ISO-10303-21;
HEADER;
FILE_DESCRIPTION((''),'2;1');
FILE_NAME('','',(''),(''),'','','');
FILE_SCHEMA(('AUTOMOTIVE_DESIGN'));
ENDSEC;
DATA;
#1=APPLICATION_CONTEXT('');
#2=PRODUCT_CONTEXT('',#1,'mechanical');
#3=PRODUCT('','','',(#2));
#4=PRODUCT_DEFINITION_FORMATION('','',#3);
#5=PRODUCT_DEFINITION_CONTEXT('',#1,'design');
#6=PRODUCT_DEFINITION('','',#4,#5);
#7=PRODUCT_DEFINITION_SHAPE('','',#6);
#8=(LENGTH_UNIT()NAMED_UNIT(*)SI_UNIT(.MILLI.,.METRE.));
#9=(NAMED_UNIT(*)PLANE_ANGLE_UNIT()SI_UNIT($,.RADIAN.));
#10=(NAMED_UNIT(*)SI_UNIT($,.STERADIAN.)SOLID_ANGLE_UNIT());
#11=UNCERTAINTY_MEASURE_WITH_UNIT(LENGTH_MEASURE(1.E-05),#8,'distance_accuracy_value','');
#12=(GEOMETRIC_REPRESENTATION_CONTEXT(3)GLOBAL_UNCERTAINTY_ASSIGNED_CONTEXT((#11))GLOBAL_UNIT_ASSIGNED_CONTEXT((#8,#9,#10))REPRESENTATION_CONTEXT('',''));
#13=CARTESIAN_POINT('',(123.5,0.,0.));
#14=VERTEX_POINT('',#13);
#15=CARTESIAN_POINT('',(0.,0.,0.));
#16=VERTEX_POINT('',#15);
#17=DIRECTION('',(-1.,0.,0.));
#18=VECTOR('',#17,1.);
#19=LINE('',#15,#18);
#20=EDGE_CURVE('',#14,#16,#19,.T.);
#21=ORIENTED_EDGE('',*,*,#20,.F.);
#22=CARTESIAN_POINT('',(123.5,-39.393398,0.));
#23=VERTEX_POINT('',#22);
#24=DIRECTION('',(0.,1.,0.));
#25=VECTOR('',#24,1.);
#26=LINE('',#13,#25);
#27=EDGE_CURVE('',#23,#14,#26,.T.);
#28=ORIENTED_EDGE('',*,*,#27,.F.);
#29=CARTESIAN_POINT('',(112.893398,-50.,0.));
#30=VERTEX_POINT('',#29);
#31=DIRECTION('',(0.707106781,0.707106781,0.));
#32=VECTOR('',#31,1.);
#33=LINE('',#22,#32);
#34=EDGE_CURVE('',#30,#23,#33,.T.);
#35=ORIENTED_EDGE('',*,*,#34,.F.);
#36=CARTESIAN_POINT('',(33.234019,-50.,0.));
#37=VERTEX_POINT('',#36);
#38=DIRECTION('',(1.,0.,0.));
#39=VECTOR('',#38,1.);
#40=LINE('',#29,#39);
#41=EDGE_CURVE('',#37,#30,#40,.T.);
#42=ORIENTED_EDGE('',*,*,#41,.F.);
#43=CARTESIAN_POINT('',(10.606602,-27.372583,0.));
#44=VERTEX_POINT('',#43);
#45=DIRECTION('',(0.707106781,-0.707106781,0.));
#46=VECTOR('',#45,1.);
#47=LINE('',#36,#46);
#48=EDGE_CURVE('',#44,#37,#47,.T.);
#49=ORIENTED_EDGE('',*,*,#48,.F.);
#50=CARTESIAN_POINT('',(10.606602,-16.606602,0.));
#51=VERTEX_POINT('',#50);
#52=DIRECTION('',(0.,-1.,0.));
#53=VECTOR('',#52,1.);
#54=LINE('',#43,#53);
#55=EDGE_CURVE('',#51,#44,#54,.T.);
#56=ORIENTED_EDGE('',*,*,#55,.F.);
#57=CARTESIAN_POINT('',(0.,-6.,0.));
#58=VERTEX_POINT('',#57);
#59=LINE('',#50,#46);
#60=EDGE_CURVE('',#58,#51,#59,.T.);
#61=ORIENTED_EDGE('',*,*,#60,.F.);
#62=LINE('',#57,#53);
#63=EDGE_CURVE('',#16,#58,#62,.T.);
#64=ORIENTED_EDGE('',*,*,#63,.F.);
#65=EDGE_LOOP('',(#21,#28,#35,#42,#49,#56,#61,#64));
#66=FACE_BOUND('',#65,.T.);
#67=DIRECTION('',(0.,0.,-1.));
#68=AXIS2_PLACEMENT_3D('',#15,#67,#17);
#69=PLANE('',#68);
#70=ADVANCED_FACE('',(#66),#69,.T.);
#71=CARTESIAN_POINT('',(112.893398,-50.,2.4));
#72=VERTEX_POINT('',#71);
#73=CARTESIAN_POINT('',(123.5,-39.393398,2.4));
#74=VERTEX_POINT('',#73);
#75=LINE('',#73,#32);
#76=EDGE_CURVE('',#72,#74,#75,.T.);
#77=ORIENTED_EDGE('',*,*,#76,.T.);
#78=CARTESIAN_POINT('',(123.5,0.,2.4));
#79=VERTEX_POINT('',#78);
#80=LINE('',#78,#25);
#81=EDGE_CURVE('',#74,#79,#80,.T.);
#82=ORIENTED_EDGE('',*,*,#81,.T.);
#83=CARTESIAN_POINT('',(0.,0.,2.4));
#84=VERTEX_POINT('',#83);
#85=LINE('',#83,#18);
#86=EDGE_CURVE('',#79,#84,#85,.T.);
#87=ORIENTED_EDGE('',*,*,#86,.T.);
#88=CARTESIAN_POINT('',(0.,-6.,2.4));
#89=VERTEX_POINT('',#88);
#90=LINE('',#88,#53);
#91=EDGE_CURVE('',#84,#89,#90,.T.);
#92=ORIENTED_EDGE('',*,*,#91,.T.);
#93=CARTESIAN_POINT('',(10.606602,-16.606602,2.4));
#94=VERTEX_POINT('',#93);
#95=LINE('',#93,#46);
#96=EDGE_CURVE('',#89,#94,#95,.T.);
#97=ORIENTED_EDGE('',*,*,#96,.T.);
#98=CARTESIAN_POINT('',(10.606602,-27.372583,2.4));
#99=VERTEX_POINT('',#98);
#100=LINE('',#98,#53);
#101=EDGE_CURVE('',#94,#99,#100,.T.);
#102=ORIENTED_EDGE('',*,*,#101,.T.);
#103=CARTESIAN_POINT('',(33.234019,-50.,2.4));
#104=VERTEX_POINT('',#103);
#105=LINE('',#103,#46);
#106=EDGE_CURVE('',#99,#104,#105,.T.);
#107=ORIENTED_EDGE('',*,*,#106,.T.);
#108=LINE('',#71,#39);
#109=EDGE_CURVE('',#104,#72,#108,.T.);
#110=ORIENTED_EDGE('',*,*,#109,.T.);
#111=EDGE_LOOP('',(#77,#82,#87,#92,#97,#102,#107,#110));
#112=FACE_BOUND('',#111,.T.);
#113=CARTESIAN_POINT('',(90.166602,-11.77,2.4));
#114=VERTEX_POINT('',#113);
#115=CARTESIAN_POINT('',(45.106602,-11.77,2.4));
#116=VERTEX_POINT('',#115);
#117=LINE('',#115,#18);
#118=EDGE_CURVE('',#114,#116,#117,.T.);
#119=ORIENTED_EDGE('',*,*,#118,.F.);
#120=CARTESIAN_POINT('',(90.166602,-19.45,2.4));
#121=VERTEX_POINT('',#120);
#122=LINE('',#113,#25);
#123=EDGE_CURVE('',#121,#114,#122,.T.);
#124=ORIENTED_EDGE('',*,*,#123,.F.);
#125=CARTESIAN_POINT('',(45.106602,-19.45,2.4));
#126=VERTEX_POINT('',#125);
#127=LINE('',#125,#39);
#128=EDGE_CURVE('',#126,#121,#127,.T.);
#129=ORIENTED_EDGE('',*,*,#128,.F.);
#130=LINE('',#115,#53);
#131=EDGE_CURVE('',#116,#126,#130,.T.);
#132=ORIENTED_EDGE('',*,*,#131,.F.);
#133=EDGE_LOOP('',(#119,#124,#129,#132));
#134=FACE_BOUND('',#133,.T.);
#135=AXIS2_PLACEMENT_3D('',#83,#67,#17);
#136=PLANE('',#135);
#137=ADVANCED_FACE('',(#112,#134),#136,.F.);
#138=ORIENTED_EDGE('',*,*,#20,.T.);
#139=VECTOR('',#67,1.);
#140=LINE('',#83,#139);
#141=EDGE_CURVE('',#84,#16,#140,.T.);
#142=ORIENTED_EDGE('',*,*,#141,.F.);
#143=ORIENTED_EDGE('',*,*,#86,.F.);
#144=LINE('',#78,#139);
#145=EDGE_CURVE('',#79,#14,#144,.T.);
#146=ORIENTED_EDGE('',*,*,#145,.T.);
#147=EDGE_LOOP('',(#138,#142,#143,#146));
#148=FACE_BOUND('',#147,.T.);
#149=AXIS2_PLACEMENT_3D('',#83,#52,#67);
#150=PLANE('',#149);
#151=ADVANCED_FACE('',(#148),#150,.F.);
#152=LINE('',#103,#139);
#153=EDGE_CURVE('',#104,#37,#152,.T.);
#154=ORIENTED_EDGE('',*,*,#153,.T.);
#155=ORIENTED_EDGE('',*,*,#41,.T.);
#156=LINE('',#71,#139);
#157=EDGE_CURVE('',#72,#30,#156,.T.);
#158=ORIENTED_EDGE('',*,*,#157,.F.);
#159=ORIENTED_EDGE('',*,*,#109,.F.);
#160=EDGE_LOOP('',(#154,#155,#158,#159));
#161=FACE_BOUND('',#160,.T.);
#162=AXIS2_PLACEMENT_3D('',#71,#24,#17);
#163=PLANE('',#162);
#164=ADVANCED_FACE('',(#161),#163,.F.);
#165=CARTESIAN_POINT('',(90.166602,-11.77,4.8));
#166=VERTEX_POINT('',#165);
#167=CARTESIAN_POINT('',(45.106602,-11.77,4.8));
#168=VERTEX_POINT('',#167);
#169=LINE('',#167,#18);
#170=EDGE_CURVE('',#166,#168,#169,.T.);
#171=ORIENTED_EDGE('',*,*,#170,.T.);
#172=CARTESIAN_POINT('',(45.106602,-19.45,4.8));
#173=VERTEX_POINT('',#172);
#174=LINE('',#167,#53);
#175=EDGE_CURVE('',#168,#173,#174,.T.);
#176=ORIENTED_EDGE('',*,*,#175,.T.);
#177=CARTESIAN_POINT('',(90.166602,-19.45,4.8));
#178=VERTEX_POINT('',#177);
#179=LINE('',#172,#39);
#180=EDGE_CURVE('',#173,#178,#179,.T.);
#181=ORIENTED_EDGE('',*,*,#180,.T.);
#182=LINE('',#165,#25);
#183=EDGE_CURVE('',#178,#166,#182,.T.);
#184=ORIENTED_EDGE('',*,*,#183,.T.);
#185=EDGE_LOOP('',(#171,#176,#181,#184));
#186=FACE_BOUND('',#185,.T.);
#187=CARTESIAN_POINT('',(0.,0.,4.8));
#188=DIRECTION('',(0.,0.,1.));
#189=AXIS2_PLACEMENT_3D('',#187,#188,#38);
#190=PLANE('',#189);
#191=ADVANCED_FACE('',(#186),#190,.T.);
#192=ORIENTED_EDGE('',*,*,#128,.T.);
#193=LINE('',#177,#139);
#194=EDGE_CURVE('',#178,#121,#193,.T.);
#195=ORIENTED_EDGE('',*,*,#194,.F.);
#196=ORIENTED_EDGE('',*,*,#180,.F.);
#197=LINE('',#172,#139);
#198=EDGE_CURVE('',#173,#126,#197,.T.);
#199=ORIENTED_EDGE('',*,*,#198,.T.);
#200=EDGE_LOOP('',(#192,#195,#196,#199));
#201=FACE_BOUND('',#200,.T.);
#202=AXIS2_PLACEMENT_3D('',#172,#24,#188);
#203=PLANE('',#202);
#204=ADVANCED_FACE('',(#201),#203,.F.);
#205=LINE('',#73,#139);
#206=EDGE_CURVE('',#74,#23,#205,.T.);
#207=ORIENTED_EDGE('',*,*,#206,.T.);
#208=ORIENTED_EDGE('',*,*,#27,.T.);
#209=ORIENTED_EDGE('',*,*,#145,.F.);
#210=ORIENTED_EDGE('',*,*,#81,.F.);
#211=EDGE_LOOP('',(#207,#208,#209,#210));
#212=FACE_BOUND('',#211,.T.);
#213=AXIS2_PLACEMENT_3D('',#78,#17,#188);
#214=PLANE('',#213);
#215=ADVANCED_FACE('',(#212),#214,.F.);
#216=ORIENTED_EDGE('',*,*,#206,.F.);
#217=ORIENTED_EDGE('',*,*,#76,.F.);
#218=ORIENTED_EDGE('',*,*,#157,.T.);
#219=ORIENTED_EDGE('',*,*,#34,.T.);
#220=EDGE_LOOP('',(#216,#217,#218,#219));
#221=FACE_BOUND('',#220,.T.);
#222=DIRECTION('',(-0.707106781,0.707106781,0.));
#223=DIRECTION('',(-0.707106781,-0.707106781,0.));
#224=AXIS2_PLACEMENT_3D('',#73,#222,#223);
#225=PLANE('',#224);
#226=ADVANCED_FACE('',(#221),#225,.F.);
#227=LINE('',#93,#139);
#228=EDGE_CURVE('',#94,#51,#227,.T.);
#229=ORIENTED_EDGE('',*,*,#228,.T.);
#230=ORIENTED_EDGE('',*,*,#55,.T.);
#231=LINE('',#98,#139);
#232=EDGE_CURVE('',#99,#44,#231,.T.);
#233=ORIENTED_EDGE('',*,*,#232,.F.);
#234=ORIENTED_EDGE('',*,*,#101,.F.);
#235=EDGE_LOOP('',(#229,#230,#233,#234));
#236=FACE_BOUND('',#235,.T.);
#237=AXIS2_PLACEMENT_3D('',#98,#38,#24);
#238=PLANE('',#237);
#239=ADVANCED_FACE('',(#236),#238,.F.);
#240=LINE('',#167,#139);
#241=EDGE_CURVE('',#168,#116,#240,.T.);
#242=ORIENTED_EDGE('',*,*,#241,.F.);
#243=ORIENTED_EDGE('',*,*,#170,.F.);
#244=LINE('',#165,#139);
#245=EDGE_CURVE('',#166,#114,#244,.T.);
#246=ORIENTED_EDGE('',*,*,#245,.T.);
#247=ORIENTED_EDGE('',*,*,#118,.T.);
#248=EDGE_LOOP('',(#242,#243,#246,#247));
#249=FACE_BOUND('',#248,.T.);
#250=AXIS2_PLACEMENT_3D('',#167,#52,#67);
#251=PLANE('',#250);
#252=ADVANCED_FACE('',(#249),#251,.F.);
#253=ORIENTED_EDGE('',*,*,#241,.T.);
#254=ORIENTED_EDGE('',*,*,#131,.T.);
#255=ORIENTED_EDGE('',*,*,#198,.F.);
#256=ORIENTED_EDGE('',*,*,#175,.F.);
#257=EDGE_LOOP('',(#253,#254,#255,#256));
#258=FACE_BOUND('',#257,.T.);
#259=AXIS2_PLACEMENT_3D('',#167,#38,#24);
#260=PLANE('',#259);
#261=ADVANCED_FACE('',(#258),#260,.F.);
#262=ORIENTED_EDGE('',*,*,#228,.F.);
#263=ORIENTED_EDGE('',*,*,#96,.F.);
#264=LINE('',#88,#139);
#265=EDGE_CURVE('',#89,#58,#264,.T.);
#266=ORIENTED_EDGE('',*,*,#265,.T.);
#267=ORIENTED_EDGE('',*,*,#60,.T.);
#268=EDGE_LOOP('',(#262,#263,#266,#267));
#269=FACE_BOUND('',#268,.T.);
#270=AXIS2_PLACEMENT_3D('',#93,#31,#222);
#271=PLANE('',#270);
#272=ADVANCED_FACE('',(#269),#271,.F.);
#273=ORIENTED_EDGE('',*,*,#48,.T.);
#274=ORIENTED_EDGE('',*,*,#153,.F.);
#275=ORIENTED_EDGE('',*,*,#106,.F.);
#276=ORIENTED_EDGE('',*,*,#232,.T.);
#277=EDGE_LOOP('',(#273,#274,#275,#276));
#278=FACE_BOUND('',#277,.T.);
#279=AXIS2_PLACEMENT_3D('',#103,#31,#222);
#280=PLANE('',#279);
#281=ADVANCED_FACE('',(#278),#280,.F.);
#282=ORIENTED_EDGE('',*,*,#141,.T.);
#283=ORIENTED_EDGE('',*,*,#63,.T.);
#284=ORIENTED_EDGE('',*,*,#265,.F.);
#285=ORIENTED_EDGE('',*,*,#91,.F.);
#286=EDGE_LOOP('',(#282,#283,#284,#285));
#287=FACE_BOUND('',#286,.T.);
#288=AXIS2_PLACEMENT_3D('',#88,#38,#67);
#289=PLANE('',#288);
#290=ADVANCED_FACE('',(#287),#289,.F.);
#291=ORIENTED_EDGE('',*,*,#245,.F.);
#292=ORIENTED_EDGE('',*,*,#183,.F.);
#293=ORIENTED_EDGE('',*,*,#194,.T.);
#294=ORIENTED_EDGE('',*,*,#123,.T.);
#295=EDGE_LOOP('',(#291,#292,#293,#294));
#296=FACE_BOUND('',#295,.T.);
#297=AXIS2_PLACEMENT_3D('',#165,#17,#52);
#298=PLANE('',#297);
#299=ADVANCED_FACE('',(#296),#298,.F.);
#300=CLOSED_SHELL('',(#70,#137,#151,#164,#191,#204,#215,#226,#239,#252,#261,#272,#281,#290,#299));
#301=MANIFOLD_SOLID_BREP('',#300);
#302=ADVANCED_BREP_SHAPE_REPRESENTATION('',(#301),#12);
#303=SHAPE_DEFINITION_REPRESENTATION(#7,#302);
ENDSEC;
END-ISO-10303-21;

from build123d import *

# Parameters (mm, degrees)
BOSS_EXTRUDE1_DEPTH = 2.4
SKETCH2_W           = 45.06
SKETCH2_H           = 7.68
BOSS_EXTRUDE2_DEPTH = 2.4


with BuildPart() as part:
    # Sketch1 → Boss-Extrude1 (new body)
    with BuildSketch(Plane.XY):
        Polygon((0, 0), (123.5, 0), (123.5, -39.393398282), (112.893398282, -50), (33.234018716, -50), (10.606601718, -27.372583002), (10.606601718, -16.606601718), (0, -6), align=None)
    extrude(amount=BOSS_EXTRUDE1_DEPTH)

    # Sketch2 → Boss-Extrude2 (add)
    with BuildSketch(Plane.XY.offset(2.4)):
        with Locations((67.636601718, -15.61)):
            Rectangle(SKETCH2_W, SKETCH2_H)
    extrude(amount=BOSS_EXTRUDE2_DEPTH)


solid = part.part
